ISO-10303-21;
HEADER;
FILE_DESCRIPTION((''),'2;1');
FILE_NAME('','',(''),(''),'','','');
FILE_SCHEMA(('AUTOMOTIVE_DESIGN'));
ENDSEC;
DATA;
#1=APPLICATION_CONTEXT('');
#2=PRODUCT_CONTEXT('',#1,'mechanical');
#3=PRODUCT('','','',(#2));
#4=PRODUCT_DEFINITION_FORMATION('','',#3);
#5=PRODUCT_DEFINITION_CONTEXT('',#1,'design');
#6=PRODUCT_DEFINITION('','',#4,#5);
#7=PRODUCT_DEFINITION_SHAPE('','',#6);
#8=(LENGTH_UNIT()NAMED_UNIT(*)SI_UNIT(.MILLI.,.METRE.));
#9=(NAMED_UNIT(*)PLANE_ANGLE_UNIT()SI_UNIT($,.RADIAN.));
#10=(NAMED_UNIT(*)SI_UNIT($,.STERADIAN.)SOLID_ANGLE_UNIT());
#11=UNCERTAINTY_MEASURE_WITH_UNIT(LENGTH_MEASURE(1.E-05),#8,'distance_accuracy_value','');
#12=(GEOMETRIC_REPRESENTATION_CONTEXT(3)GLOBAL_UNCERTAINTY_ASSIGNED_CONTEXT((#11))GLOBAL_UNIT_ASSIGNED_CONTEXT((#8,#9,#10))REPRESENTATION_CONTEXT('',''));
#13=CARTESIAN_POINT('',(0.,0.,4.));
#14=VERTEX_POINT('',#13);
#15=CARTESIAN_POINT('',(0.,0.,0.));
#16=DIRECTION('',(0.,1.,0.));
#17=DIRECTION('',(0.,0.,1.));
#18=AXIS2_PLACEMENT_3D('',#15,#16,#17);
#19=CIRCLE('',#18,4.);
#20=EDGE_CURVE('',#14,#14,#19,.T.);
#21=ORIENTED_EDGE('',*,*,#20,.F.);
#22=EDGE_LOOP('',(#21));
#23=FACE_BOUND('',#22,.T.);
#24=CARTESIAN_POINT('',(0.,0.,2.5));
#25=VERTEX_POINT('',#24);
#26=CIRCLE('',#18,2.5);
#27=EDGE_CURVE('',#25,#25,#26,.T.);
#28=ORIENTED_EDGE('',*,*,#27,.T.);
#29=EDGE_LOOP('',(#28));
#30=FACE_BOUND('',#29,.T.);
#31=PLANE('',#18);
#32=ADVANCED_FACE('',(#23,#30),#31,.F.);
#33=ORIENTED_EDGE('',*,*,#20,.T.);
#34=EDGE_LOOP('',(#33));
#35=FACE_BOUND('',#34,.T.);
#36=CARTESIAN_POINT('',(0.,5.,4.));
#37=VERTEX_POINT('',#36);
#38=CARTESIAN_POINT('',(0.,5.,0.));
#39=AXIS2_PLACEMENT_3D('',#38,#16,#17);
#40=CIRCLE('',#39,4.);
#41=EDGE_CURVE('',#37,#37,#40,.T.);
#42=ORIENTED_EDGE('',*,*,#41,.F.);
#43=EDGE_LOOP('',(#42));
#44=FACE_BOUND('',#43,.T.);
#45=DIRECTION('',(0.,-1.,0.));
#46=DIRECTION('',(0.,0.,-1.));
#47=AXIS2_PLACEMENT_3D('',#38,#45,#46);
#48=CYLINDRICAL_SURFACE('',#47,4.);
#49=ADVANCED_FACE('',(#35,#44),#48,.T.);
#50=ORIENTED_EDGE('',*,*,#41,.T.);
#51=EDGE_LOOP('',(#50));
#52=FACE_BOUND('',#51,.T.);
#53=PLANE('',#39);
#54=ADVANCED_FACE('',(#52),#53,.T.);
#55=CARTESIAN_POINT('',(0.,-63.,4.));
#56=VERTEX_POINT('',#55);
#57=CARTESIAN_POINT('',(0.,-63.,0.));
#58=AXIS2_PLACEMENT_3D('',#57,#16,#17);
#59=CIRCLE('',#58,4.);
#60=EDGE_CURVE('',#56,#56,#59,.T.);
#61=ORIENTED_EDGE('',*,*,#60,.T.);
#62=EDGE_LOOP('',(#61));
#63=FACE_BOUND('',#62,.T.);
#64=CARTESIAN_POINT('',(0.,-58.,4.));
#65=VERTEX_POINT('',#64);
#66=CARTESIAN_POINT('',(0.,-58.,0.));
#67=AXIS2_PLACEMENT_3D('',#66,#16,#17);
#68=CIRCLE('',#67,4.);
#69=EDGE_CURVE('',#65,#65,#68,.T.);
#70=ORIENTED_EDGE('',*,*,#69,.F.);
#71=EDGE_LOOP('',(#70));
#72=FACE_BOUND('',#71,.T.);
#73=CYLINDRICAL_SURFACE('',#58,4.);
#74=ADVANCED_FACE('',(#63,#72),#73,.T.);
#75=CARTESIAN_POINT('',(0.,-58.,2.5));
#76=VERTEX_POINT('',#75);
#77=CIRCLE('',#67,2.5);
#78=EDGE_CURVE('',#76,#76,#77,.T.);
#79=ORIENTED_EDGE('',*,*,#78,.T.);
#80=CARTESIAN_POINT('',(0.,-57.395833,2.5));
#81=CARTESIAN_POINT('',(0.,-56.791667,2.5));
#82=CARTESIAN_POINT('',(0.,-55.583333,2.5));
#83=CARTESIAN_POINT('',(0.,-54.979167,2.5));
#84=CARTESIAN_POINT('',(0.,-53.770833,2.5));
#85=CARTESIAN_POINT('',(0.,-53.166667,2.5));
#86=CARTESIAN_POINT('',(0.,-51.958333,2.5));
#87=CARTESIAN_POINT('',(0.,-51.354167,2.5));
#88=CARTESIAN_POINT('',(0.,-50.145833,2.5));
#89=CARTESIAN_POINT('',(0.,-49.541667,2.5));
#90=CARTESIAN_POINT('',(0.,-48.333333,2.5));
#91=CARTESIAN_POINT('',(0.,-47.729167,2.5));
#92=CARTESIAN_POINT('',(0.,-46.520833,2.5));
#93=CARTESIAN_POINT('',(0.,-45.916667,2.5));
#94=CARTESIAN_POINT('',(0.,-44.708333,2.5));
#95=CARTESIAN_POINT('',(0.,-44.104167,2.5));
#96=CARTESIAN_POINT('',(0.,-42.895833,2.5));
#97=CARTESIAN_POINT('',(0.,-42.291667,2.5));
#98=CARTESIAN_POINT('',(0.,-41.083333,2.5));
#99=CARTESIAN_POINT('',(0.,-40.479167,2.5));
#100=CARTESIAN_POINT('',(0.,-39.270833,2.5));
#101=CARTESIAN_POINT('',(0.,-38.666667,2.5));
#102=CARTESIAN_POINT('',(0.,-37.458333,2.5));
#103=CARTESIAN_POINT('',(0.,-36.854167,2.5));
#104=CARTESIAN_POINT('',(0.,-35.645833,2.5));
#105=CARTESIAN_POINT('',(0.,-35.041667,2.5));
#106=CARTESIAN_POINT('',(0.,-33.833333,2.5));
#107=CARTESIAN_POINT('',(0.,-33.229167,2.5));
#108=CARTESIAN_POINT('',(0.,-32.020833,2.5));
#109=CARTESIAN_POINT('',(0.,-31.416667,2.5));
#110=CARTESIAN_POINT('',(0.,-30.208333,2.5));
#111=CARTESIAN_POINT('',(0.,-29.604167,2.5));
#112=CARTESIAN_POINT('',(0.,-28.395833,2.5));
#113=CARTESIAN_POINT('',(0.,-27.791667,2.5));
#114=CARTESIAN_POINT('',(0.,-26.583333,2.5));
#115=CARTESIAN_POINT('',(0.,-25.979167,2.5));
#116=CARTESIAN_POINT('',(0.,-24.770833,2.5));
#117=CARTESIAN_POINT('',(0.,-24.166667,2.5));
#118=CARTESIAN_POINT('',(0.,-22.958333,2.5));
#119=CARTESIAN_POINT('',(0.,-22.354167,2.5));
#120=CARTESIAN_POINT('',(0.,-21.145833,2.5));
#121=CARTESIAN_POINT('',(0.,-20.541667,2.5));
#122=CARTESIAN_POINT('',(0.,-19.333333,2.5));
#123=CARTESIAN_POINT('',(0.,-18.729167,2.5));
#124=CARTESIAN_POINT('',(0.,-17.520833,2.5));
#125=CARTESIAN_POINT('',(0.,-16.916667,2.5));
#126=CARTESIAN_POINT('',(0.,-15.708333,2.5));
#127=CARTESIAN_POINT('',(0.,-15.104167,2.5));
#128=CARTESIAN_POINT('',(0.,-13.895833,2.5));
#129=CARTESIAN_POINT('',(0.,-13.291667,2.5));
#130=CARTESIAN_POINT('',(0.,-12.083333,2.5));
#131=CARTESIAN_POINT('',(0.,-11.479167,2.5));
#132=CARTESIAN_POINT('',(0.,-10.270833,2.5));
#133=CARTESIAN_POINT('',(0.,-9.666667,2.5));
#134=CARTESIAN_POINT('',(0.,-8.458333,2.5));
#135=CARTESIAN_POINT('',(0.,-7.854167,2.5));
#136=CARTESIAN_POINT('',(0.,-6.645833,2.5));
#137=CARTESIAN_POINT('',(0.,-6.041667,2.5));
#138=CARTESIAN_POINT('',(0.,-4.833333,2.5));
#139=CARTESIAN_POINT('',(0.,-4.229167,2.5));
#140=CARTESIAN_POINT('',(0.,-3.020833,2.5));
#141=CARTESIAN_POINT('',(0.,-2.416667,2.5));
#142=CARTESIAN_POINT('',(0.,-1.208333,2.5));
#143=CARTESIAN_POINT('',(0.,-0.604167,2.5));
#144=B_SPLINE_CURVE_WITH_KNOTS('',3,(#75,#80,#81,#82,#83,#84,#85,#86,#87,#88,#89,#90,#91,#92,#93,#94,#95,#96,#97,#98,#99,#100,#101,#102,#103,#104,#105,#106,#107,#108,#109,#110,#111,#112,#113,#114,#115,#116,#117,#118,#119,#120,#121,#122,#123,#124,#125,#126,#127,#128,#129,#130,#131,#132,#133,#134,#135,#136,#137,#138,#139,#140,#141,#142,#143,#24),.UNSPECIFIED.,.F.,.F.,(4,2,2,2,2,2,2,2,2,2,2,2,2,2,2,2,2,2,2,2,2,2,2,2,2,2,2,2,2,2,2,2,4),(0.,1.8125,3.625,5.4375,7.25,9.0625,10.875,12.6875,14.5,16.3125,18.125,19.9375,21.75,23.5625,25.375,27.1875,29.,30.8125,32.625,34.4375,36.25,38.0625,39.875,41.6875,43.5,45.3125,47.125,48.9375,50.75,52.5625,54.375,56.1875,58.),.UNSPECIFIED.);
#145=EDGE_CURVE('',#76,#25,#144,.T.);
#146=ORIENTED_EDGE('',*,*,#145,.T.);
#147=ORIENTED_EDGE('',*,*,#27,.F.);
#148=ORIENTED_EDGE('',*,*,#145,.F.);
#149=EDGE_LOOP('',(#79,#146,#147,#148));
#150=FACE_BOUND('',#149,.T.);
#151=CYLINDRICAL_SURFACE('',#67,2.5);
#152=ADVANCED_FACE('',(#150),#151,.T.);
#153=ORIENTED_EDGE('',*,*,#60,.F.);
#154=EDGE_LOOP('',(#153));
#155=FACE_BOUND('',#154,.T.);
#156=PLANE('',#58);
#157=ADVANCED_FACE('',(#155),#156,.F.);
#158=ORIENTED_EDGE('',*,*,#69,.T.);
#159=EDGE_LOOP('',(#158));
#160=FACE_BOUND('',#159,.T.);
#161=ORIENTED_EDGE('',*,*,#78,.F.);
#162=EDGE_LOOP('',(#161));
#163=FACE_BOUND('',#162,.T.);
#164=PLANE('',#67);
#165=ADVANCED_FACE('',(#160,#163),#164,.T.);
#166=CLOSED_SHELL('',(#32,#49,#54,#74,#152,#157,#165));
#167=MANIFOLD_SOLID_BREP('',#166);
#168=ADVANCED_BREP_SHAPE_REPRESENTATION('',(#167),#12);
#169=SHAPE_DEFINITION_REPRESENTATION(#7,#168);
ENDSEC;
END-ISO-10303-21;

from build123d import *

# Parameters (mm, degrees)
SKETCH1_R           = 2.5
BOSS_EXTRUDE1_DEPTH = 58
SKETCH2_R           = 4
BOSS_EXTRUDE2_DEPTH = 5
BOSS_EXTRUDE3_START = -63
SKETCH3_R           = 4
BOSS_EXTRUDE3_DEPTH = 5


with BuildPart() as part:
    # Sketch1 → Boss-Extrude1 (new body)
    with BuildSketch(Plane(origin=(0, 0, 0), x_dir=(1, 0, 0), z_dir=(0, 1, 0))):
        with Locations(Location((0, 0, 0), (0, 0, 270))):
            Circle(SKETCH1_R)
    extrude(amount=-BOSS_EXTRUDE1_DEPTH)

    # Sketch2 → Boss-Extrude2 (add)
    with BuildSketch(Plane(origin=(0, 0, 0), x_dir=(1, 0, 0), z_dir=(0, 1, 0))):
        with Locations(Location((0, 0, 0), (0, 0, 270))):
            Circle(SKETCH2_R)
    extrude(amount=BOSS_EXTRUDE2_DEPTH)

    # Sketch3 → Boss-Extrude3 (add)
    with BuildSketch(Plane(origin=(0, 0, 0), x_dir=(1, 0, 0), z_dir=(0, 1, 0)).offset(BOSS_EXTRUDE3_START)):
        with Locations(Location((0, 0, 0), (0, 0, 270))):
            Circle(SKETCH3_R)
    extrude(amount=BOSS_EXTRUDE3_DEPTH)


solid = part.part
